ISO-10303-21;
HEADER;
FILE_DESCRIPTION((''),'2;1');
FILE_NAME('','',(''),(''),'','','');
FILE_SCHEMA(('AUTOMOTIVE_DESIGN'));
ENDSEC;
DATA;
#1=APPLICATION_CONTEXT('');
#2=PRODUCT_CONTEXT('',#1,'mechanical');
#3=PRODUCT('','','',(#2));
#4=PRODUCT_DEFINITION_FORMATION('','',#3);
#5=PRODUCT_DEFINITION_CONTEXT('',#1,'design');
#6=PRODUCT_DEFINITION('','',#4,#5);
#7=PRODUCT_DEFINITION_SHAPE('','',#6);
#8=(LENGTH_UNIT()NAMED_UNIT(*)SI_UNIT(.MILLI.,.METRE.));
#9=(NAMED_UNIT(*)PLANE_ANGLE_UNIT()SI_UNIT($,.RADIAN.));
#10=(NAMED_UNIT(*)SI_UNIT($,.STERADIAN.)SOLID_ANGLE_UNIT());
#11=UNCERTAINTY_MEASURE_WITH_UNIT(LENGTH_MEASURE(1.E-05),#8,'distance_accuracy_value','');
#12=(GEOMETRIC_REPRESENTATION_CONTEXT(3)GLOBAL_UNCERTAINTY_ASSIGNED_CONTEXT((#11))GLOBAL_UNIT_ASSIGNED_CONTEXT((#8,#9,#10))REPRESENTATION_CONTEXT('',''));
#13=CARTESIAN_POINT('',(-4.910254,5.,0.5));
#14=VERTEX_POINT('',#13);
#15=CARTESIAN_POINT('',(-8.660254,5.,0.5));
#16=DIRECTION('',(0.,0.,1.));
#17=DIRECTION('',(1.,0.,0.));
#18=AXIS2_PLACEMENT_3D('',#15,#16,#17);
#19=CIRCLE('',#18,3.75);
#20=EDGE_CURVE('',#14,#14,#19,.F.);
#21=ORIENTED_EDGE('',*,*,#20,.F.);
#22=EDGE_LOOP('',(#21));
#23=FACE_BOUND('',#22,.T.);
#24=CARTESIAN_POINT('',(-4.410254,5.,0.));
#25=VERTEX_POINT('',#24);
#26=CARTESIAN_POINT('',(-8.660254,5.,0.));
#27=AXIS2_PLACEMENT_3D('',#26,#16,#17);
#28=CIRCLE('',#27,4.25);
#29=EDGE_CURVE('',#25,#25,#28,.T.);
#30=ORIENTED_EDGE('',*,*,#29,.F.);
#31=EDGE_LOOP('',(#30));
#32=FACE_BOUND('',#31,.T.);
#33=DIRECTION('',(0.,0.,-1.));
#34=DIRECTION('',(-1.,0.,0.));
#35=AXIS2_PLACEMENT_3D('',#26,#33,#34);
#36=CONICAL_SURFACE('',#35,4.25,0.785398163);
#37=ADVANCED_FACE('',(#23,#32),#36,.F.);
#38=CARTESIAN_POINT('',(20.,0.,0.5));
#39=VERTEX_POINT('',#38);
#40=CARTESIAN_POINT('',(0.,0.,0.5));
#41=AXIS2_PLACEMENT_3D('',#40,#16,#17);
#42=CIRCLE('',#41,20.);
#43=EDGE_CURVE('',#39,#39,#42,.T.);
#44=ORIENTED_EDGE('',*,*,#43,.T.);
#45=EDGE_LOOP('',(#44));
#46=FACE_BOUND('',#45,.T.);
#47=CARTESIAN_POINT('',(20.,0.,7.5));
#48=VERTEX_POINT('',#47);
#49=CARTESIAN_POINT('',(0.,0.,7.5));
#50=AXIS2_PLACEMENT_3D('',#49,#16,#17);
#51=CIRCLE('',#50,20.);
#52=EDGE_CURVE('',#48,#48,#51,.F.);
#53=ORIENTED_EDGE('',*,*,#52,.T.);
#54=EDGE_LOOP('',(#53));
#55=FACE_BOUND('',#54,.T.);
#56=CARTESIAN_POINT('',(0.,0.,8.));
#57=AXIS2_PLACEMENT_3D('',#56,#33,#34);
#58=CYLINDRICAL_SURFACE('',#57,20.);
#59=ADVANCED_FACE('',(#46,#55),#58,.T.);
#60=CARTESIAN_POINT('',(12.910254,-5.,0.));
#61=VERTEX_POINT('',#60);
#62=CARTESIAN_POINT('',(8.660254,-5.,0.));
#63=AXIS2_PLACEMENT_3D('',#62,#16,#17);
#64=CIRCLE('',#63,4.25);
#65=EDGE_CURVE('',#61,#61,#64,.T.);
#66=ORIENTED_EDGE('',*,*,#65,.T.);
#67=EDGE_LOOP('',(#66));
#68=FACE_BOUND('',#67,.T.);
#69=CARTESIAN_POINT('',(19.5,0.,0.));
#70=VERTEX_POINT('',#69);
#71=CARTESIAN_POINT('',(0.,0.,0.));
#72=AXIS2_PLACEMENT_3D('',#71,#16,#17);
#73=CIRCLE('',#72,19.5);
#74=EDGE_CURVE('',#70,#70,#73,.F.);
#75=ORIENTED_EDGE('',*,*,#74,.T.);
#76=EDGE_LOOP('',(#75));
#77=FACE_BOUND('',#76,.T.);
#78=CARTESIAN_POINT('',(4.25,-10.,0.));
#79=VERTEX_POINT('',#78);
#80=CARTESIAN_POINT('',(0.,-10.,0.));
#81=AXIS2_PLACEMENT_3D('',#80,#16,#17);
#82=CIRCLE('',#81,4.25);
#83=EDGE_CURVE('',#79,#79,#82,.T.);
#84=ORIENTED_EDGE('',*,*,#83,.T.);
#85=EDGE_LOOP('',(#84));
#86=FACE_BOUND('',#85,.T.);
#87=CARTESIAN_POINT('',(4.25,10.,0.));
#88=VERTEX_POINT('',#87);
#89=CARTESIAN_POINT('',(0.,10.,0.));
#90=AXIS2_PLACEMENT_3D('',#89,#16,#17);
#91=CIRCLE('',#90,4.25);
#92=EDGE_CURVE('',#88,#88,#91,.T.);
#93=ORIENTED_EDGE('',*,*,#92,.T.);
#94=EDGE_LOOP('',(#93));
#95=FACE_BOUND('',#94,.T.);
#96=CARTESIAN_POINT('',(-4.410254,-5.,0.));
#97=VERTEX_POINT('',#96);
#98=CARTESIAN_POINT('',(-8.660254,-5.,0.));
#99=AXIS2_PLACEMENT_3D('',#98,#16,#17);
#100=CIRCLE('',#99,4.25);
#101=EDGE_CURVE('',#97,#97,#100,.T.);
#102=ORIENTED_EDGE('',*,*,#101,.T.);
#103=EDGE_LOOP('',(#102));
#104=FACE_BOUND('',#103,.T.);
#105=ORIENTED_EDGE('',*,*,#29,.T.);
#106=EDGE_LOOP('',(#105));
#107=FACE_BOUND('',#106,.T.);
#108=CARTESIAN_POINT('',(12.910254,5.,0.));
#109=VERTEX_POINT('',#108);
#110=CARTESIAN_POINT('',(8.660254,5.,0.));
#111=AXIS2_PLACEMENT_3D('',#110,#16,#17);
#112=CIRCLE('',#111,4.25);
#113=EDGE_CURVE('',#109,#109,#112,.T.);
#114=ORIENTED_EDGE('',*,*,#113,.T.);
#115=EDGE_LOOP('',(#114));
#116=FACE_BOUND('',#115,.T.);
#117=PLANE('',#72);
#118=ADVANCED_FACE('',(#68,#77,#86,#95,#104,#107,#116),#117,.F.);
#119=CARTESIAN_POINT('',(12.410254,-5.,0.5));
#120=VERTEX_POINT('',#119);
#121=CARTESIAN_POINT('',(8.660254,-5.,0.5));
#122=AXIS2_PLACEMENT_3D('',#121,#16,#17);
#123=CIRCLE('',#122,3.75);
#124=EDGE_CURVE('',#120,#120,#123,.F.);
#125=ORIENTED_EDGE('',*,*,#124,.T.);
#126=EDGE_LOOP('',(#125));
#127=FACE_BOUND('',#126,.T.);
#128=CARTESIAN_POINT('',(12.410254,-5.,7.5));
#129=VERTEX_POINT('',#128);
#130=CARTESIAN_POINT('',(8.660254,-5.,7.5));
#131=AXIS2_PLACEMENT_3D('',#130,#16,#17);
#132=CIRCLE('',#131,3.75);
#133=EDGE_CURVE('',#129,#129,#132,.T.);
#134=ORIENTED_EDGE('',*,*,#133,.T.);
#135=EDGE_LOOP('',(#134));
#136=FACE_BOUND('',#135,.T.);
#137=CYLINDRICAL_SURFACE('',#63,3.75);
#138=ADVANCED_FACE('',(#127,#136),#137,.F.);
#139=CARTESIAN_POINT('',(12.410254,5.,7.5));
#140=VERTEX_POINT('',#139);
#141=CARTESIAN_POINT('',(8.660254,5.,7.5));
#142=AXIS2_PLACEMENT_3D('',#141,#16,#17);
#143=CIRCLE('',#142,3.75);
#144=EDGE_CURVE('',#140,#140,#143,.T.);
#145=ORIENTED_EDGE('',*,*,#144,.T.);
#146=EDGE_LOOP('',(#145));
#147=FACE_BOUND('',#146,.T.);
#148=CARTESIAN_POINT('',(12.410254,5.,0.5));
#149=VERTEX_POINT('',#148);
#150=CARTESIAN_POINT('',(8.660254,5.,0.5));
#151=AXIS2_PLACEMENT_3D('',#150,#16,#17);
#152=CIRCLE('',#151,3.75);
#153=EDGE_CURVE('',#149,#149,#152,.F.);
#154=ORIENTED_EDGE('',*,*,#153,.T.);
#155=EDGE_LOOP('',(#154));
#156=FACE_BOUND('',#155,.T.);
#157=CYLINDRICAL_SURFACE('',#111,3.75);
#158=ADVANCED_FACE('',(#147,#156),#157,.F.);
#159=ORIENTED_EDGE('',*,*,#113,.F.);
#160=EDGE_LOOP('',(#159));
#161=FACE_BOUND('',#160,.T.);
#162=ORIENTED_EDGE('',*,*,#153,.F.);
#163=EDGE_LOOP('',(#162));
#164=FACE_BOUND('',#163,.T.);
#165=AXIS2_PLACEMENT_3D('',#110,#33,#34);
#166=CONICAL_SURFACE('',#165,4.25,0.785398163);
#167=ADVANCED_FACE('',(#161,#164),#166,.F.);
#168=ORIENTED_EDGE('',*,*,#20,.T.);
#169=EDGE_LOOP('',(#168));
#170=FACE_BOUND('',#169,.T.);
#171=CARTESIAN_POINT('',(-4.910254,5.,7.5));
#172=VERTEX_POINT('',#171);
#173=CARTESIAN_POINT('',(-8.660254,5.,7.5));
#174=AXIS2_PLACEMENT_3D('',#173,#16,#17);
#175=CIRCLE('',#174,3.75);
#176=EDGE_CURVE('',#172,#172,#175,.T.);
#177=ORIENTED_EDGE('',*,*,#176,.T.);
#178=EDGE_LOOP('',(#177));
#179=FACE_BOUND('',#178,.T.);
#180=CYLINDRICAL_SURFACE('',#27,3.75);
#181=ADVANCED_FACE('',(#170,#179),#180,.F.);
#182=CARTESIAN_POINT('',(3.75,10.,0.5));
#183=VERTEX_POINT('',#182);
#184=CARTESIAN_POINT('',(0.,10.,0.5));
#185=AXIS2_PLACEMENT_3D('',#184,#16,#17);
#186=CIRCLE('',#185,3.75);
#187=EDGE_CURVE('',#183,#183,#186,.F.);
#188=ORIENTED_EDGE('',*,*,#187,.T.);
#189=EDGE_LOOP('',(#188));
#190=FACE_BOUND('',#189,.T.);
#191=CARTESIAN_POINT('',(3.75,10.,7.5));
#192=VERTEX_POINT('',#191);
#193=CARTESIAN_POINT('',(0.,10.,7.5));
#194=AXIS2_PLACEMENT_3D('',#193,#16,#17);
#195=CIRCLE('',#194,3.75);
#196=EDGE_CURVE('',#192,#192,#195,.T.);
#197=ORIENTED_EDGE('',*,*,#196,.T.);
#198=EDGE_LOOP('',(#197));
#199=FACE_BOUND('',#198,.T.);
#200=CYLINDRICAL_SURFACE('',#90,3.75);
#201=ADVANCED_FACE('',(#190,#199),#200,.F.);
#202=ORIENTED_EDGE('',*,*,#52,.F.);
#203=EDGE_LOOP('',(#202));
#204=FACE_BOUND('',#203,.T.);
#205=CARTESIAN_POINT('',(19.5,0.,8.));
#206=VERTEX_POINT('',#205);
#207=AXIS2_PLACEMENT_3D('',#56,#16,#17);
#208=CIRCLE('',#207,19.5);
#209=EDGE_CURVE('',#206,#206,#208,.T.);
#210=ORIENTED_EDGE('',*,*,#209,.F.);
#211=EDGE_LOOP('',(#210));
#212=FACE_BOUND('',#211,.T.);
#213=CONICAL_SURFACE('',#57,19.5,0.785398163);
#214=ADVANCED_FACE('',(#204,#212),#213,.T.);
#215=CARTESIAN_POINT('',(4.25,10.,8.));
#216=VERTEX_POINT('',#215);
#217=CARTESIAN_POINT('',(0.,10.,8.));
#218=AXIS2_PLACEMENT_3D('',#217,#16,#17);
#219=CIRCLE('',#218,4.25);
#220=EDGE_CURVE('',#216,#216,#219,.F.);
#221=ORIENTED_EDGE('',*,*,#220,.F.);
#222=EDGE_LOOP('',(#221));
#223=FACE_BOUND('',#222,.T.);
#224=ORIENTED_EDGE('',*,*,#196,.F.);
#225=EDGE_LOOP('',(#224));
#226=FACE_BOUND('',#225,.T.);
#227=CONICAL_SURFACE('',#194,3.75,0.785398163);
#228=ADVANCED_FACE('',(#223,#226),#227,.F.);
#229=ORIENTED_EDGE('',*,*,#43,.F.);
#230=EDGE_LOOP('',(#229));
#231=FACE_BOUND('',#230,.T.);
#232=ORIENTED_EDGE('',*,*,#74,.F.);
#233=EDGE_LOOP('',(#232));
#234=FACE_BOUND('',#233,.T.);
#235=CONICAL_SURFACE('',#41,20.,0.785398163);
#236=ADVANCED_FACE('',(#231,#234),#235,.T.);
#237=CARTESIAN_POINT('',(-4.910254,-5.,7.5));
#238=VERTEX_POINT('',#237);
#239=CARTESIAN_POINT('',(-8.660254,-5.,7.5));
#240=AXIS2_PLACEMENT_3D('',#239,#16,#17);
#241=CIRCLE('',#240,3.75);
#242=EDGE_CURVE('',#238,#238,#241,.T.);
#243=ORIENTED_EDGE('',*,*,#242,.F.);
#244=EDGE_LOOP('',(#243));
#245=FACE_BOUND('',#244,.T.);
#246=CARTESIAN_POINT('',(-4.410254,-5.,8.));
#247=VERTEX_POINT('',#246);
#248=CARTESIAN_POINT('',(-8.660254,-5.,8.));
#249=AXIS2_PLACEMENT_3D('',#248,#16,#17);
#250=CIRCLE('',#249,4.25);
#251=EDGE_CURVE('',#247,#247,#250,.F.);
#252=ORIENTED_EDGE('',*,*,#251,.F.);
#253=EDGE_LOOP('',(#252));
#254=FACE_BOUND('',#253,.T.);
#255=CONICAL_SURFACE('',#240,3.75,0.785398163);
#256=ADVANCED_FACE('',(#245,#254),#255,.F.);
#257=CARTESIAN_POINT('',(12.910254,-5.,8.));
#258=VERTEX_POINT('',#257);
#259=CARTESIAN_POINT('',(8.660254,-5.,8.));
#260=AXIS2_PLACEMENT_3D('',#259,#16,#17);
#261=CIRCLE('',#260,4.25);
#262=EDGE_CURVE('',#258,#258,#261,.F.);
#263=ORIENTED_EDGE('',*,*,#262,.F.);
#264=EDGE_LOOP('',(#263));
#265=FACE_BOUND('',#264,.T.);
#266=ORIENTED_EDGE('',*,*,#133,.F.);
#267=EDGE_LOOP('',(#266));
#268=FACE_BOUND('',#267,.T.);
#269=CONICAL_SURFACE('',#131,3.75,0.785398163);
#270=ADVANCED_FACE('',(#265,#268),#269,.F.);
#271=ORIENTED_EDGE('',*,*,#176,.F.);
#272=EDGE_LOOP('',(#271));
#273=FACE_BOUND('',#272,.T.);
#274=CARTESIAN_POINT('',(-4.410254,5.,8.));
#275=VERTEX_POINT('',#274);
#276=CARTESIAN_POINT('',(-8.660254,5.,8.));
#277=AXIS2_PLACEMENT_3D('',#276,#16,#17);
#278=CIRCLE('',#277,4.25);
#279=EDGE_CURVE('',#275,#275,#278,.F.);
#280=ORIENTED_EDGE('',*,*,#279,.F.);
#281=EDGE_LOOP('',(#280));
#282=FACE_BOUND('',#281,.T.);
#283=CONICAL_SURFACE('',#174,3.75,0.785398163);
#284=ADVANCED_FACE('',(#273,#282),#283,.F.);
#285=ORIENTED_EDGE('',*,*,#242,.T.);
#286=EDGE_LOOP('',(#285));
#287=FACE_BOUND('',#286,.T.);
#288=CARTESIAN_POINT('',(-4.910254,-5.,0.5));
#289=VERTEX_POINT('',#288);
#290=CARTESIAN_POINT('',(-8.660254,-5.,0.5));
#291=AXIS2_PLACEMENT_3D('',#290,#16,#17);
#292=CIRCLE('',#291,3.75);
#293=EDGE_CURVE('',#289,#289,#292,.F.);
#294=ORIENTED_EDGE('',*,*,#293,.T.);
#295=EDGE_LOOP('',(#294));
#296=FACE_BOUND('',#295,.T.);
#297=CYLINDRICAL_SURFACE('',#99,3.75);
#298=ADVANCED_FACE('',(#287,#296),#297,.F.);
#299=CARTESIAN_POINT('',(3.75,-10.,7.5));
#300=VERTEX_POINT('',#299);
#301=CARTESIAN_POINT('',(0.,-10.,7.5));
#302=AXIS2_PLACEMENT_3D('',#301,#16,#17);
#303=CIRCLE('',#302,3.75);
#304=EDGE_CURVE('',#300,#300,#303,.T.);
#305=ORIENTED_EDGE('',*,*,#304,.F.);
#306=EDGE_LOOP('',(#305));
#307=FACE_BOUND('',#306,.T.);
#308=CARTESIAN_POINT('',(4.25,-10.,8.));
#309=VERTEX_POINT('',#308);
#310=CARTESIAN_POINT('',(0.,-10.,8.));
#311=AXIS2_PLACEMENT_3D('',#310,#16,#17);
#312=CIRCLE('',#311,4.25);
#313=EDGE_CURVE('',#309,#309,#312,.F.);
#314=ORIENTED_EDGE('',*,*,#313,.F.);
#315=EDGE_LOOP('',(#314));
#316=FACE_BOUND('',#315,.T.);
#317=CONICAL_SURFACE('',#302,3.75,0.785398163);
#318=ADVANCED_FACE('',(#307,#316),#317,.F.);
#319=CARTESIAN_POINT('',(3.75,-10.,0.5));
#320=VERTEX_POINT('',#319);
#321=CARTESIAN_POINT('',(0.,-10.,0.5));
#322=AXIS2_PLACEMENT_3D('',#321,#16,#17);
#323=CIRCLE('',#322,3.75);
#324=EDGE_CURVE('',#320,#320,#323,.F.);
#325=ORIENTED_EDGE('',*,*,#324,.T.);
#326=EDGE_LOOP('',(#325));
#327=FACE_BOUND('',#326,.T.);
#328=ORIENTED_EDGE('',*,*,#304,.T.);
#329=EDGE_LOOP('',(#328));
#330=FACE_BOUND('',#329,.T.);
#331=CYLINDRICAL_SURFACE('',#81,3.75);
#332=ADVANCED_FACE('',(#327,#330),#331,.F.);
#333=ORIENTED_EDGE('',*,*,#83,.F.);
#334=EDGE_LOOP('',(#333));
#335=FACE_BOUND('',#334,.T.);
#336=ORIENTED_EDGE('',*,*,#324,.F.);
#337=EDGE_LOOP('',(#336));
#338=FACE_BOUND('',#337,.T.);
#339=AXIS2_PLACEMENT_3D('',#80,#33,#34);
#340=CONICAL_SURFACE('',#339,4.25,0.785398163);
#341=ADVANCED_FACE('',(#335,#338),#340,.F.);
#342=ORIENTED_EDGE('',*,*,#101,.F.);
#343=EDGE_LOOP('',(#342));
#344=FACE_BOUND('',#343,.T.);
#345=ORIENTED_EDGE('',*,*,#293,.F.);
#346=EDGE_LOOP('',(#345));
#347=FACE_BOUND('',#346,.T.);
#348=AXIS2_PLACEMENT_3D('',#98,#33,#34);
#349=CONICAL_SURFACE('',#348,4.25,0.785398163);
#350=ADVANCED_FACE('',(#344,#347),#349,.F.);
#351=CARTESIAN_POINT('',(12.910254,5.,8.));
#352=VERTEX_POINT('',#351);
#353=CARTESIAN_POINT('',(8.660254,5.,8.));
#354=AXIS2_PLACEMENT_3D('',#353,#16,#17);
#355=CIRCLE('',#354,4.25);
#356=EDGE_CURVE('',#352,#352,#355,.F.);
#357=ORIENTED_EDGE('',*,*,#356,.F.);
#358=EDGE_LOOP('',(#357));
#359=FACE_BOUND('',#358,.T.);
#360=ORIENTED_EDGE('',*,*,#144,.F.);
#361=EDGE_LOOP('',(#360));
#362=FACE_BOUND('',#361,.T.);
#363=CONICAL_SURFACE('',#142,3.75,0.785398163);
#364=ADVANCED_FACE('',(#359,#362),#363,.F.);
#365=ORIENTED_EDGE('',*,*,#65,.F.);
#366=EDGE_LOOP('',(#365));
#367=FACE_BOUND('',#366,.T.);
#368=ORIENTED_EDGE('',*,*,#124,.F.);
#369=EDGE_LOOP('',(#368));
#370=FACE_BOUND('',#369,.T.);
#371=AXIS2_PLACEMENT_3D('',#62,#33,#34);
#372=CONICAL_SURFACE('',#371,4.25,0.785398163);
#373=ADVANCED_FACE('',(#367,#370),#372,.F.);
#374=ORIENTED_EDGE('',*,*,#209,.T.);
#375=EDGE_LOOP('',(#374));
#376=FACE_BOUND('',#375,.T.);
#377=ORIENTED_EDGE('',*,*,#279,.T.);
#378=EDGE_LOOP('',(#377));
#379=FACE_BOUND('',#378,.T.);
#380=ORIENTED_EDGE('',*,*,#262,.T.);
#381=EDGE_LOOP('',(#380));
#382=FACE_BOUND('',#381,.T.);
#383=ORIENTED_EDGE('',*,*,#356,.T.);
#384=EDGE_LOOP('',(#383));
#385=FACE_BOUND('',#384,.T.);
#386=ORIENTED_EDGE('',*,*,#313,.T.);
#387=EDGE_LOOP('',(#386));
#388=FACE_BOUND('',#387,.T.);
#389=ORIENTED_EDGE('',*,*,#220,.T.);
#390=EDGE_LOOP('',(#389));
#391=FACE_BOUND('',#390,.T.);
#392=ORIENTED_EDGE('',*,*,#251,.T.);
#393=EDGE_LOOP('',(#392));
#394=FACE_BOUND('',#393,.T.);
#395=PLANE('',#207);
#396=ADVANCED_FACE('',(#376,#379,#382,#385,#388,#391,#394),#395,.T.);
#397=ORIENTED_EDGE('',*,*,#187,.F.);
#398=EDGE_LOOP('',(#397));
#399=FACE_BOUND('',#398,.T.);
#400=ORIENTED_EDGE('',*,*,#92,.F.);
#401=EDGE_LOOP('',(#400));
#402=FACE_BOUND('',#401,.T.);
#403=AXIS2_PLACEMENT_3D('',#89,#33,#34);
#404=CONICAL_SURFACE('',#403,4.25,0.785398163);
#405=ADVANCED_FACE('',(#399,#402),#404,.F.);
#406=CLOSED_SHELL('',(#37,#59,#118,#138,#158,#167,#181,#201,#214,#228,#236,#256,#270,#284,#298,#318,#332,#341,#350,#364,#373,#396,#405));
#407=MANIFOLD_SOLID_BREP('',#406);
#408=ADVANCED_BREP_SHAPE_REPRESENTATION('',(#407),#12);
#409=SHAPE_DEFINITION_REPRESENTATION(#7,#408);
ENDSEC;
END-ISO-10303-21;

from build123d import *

# Parameters (mm, degrees)
SKETCH3_R           = 20
BOSS_EXTRUDE1_DEPTH = 8
SKETCH4_R           = 3.75
CUT_EXTRUDE1_DEPTH  = 8
CIRPATTERN1_COUNT   = 6
CHAMFER1_SIZE       = 0.5


with BuildPart() as part:
    # Sketch3 → Boss-Extrude1 (new body)
    with BuildSketch(Plane.XY):
        Circle(SKETCH3_R)
    extrude(amount=BOSS_EXTRUDE1_DEPTH)

    # Sketch4 → Cut-Extrude1 (cut)
    with BuildSketch(Plane.XY.offset(8)):
        with Locations((0, 10)):
            Circle(SKETCH4_R)
    cut_extrude1 = extrude(amount=-CUT_EXTRUDE1_DEPTH, mode=Mode.SUBTRACT)

    # CirPattern1: Cut-Extrude1 ×6 about axis
    cirpattern1_axis = Axis((0, 0, 0), (0, 0, 1))
    for i in range(1, CIRPATTERN1_COUNT):
        add(cut_extrude1.rotate(cirpattern1_axis, i * 360 / CIRPATTERN1_COUNT), mode=Mode.SUBTRACT)

    # Chamfer1
    chamfer1_edges = [part.edges().sort_by_distance(p)[0] for p in [
        (-10.535254038, 1.752404736, 0),
        (-10.535254038, 1.752404736, 8),
        (-6.785254038, -8.247595264, 0),
        (-6.785254038, -8.247595264, 8),
        (3.75, -10, 0),
        (-20, 0, 0),
        (3.75, -10, 8),
        (10.535254038, -1.752404736, 0),
        (10.535254038, -1.752404736, 8),
        (6.785254038, 8.247595264, 0),
        (6.785254038, 8.247595264, 8),
        (-20, 0, 8),
        (-3.75, 10, 0),
        (-3.75, 10, 8),
    ]]
    chamfer(chamfer1_edges, length=CHAMFER1_SIZE)


solid = part.part
